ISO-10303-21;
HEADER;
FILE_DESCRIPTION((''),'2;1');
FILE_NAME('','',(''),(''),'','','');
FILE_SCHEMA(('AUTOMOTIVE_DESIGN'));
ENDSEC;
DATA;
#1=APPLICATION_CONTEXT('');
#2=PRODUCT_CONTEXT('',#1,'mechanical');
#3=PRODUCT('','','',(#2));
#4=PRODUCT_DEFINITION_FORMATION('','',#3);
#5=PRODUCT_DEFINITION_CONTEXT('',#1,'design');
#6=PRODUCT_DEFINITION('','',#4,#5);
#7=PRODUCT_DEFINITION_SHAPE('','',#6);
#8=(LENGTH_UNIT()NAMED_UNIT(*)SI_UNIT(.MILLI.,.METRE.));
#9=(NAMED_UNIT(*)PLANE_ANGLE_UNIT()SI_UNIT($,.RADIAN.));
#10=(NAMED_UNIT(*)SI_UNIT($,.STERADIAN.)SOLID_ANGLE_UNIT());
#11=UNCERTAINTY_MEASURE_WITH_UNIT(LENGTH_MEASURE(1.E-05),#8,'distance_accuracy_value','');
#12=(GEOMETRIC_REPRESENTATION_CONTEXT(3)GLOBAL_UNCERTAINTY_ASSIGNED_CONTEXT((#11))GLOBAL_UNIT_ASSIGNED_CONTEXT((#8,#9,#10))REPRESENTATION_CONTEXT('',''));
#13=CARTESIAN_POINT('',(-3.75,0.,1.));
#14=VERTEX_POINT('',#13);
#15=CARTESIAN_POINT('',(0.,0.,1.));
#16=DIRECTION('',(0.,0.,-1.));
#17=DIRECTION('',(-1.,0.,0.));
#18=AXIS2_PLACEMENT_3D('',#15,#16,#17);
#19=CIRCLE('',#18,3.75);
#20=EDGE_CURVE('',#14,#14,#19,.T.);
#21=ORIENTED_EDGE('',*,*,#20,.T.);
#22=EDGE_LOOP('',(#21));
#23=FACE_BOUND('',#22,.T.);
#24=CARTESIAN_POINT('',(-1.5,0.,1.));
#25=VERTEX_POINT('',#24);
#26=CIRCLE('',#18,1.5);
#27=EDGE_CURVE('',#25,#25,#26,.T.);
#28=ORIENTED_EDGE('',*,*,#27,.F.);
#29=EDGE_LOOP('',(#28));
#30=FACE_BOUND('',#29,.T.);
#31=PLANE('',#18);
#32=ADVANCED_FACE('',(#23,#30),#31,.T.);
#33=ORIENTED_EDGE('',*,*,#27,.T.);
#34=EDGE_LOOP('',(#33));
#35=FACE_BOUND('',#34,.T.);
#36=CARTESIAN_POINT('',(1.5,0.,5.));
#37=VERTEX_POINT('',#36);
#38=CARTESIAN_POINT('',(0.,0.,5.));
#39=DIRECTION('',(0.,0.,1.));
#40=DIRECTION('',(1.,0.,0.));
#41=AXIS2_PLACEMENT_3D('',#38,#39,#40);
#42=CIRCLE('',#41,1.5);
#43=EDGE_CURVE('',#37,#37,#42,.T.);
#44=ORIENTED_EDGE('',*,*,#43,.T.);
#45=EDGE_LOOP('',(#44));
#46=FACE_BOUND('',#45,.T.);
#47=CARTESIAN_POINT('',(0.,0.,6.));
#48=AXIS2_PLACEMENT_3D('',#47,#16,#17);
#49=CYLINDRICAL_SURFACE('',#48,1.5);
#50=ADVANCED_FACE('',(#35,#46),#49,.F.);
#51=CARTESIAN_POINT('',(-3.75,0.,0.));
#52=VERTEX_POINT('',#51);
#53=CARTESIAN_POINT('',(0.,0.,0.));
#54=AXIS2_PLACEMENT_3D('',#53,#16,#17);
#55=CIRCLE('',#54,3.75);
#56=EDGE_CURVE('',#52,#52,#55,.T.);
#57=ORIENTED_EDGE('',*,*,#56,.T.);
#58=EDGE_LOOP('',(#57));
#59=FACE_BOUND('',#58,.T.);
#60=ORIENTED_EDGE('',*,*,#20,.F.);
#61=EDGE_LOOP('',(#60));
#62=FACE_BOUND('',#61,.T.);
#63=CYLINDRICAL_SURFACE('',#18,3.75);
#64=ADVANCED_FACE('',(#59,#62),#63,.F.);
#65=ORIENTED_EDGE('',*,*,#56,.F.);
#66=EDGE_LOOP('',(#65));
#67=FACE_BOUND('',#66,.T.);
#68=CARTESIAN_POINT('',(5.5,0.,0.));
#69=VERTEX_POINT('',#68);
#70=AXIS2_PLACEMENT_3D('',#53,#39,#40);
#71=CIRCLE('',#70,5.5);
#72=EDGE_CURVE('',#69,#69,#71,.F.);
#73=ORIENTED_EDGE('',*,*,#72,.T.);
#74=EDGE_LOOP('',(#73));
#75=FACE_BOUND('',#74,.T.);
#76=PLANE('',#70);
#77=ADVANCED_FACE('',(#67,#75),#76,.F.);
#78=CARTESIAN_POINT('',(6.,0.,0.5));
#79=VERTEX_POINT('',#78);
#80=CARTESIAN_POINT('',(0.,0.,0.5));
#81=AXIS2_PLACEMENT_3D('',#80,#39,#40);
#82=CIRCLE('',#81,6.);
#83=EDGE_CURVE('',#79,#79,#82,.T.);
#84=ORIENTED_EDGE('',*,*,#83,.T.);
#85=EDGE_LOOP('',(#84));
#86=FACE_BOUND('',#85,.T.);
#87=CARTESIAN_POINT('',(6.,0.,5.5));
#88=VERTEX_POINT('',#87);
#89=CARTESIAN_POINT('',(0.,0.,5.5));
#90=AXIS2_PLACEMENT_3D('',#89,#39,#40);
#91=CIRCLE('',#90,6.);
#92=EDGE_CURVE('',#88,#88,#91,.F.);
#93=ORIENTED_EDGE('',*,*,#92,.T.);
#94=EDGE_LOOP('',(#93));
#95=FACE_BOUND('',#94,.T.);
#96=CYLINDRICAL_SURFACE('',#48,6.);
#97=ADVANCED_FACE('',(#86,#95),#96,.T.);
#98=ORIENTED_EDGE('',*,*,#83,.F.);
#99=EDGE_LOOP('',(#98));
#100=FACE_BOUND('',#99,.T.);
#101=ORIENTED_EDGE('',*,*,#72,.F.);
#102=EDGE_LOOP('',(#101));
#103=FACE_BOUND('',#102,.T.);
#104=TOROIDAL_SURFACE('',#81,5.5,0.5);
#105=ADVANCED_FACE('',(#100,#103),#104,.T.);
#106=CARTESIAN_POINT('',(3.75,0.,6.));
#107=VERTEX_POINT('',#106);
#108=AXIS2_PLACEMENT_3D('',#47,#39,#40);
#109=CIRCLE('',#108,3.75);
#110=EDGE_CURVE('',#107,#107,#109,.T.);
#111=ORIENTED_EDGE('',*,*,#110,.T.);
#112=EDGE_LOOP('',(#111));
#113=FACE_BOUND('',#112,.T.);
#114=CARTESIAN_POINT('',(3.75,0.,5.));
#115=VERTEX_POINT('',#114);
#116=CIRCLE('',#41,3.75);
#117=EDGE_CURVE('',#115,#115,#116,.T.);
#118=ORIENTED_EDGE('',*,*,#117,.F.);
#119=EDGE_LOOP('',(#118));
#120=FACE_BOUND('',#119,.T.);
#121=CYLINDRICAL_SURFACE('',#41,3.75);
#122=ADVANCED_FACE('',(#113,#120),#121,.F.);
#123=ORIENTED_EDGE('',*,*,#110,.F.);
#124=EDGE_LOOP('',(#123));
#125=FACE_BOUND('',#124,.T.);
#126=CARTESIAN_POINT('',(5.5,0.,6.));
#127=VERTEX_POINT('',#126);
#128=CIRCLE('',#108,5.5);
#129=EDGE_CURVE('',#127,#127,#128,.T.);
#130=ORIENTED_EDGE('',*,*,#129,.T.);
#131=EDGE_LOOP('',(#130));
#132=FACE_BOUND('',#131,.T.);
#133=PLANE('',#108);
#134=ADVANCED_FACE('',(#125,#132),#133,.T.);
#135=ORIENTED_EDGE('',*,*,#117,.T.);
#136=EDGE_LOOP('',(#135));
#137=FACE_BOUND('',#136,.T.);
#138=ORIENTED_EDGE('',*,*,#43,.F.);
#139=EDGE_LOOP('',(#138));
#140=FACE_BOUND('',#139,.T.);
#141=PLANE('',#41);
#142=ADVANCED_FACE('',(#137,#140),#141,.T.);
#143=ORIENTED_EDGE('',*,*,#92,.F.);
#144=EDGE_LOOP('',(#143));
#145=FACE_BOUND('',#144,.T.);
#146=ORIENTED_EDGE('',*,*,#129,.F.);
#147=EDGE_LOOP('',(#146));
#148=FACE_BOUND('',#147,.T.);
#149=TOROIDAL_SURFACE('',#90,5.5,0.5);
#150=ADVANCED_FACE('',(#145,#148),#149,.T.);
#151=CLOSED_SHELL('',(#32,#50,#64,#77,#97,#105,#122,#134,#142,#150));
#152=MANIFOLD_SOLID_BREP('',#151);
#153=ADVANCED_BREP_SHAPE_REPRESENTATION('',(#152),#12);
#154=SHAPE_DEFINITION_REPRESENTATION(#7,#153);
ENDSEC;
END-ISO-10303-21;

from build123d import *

# Parameters (mm, degrees)
SKETCH_1_R          = 6
SKETCH_1_R_2        = 1.5
EXTRUDE_1_DEPTH     = 6
SKETCH_2_R          = 3.75
CUT_EXTRUDE_1_DEPTH = 1
CUT_EXTRUDE_START   = -1
SKETCH_3_R          = 3.75
CUT_EXTRUDE_2_DEPTH = 1
FILLET_1_R          = 0.5


with BuildPart() as part:
    # 草图1 → 凸台-拉伸1 (new body)
    with BuildSketch(Plane.XY):
        Circle(SKETCH_1_R)
        Circle(SKETCH_1_R_2, mode=Mode.SUBTRACT)
    extrude(amount=EXTRUDE_1_DEPTH)

    # 草图2 → 切除-拉伸1 (cut)
    with BuildSketch(Plane.XY.offset(6)):
        Circle(SKETCH_2_R)
    extrude(amount=-CUT_EXTRUDE_1_DEPTH, mode=Mode.SUBTRACT)

    # 草图3 → 切除-拉伸2 (cut)
    with BuildSketch(Plane(origin=(0, 0, 0), x_dir=(-1, 0, 0), z_dir=(0, 0, -1)).offset(CUT_EXTRUDE_START)):
        with Locations(Location((0, 0, 0), (0, 0, 180))):
            Circle(SKETCH_3_R)
    extrude(amount=CUT_EXTRUDE_2_DEPTH, mode=Mode.SUBTRACT)

    # 圆角1
    fillet_1_edges = [part.edges().sort_by_distance(p)[0] for p in [
        (-6, 0, 0),
        (-6, 0, 6),
    ]]
    fillet(fillet_1_edges, radius=FILLET_1_R)


solid = part.part
